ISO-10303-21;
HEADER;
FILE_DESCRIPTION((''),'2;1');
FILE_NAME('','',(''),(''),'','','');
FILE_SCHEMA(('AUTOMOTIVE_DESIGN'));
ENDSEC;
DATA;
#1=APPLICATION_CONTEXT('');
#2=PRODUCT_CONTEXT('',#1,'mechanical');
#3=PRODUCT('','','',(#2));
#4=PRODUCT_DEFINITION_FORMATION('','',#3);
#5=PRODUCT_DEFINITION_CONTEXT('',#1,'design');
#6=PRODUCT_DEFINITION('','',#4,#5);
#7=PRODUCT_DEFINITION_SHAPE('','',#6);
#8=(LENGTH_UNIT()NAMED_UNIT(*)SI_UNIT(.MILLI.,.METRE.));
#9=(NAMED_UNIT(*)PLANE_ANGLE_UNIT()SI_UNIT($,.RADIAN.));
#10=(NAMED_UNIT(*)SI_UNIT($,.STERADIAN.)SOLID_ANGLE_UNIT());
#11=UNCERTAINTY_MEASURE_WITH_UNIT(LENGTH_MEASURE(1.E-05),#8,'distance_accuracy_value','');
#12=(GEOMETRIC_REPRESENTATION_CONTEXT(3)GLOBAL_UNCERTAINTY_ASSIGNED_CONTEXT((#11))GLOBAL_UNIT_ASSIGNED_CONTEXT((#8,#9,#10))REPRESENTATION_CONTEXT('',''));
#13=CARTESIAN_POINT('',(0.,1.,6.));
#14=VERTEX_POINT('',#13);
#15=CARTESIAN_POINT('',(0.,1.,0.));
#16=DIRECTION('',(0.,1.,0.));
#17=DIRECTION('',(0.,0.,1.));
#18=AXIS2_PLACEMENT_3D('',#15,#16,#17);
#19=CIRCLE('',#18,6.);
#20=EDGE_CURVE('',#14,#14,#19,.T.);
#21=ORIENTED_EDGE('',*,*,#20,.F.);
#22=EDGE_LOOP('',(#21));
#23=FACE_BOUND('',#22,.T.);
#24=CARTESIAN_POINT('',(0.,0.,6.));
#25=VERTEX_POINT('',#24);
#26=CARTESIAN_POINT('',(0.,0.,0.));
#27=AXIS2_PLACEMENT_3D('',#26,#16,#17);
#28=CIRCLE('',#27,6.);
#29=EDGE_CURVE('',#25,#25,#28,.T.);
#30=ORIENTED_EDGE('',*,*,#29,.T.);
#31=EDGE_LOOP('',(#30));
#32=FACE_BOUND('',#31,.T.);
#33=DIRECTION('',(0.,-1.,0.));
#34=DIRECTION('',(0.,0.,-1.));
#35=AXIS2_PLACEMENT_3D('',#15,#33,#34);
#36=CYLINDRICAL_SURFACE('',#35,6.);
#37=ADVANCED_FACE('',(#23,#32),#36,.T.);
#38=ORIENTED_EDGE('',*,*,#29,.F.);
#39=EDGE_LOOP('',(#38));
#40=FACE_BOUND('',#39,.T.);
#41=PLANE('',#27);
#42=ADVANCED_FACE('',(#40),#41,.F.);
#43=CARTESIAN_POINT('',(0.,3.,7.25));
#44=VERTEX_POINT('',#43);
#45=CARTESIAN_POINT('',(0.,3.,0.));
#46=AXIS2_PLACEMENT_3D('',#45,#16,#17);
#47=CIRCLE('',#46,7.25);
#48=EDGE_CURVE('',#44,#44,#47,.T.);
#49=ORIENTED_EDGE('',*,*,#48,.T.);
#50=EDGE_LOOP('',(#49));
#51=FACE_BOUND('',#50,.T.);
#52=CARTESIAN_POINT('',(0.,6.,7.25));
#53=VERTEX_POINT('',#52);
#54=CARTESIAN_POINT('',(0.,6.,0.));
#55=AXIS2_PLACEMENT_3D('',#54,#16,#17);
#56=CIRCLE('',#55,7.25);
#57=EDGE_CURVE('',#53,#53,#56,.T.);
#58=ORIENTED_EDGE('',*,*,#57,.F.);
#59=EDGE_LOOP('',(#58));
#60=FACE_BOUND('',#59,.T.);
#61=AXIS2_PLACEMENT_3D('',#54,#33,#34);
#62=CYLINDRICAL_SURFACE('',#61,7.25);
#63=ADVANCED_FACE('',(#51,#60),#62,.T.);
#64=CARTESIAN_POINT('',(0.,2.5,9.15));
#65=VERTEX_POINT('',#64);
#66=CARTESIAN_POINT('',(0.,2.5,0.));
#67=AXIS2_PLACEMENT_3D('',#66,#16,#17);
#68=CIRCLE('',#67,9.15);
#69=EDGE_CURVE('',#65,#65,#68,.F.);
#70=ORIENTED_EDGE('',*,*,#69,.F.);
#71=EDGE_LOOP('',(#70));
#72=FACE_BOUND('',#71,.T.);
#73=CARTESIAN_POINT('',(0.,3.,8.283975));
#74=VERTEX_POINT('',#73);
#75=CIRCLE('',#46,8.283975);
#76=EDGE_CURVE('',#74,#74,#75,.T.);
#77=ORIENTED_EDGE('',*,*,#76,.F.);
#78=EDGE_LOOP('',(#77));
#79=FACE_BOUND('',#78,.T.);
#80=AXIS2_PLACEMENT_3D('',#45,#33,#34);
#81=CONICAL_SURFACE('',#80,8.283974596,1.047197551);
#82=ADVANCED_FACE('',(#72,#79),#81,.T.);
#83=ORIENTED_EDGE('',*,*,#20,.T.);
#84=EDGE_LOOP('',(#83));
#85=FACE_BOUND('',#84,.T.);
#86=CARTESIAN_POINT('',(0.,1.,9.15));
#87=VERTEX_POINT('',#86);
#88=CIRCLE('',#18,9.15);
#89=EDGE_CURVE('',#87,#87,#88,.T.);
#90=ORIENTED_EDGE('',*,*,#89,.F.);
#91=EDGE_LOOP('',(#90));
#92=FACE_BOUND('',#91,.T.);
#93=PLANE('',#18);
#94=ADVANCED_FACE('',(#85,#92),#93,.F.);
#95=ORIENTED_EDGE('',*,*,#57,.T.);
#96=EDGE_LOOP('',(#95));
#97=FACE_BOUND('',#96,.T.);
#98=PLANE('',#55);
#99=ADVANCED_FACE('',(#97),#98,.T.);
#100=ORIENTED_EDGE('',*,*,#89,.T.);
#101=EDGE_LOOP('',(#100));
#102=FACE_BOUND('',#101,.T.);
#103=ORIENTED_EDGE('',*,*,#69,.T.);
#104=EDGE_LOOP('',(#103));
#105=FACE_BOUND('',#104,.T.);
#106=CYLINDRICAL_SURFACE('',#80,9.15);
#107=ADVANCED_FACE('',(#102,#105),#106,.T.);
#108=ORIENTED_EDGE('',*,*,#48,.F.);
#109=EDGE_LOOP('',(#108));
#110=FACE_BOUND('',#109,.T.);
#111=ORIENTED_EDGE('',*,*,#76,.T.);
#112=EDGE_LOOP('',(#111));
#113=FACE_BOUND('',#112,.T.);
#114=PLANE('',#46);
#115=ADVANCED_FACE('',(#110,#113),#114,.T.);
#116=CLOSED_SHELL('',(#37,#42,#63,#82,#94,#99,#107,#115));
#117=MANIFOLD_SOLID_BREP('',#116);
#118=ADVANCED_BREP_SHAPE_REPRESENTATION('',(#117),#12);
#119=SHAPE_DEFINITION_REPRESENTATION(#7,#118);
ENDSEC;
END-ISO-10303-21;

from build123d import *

# Parameters (mm, degrees)
SKETCH5_R           = 6
BOSS_EXTRUDE3_DEPTH = 1
SKETCH6_R           = 9.15
BOSS_EXTRUDE4_DEPTH = 2
CHAMFER1_SIZE       = 0.5
CHAMFER1_SIZE2      = 0.866025404
SKETCH7_R           = 7.25
BOSS_EXTRUDE5_DEPTH = 3


with BuildPart() as part:
    # Sketch5 → Boss-Extrude3 (new body)
    with BuildSketch(Plane(origin=(0, 0, 0), x_dir=(1, 0, 0), z_dir=(0, 1, 0))):
        with Locations(Location((0, 0, 0), (0, 0, 270))):
            Circle(SKETCH5_R)
    extrude(amount=BOSS_EXTRUDE3_DEPTH)

    # Sketch6 → Boss-Extrude4 (add)
    with BuildSketch(Plane(origin=(0, 1, 0), x_dir=(1, 0, 0), z_dir=(0, 1, 0))):
        with Locations(Location((0, 0, 0), (0, 0, 270))):
            Circle(SKETCH6_R)
    extrude(amount=BOSS_EXTRUDE4_DEPTH)

    # Chamfer1
    chamfer1_edges = [part.edges().sort_by_distance(p)[0] for p in [
        (0, 3, -9.15),
    ]]
    chamfer1_side = [part.faces().sort_by_distance(p)[0] for p in [
        (0, 2, -9.15),
    ]]
    chamfer(chamfer1_edges, length=CHAMFER1_SIZE, length2=CHAMFER1_SIZE2, reference=chamfer1_side[0])

    # Sketch7 → Boss-Extrude5 (add)
    with BuildSketch(Plane(origin=(0, 3, 0), x_dir=(1, 0, 0), z_dir=(0, 1, 0))):
        with Locations(Location((0, 0, 0), (0, 0, 270))):
            Circle(SKETCH7_R)
    extrude(amount=BOSS_EXTRUDE5_DEPTH)


solid = part.part
